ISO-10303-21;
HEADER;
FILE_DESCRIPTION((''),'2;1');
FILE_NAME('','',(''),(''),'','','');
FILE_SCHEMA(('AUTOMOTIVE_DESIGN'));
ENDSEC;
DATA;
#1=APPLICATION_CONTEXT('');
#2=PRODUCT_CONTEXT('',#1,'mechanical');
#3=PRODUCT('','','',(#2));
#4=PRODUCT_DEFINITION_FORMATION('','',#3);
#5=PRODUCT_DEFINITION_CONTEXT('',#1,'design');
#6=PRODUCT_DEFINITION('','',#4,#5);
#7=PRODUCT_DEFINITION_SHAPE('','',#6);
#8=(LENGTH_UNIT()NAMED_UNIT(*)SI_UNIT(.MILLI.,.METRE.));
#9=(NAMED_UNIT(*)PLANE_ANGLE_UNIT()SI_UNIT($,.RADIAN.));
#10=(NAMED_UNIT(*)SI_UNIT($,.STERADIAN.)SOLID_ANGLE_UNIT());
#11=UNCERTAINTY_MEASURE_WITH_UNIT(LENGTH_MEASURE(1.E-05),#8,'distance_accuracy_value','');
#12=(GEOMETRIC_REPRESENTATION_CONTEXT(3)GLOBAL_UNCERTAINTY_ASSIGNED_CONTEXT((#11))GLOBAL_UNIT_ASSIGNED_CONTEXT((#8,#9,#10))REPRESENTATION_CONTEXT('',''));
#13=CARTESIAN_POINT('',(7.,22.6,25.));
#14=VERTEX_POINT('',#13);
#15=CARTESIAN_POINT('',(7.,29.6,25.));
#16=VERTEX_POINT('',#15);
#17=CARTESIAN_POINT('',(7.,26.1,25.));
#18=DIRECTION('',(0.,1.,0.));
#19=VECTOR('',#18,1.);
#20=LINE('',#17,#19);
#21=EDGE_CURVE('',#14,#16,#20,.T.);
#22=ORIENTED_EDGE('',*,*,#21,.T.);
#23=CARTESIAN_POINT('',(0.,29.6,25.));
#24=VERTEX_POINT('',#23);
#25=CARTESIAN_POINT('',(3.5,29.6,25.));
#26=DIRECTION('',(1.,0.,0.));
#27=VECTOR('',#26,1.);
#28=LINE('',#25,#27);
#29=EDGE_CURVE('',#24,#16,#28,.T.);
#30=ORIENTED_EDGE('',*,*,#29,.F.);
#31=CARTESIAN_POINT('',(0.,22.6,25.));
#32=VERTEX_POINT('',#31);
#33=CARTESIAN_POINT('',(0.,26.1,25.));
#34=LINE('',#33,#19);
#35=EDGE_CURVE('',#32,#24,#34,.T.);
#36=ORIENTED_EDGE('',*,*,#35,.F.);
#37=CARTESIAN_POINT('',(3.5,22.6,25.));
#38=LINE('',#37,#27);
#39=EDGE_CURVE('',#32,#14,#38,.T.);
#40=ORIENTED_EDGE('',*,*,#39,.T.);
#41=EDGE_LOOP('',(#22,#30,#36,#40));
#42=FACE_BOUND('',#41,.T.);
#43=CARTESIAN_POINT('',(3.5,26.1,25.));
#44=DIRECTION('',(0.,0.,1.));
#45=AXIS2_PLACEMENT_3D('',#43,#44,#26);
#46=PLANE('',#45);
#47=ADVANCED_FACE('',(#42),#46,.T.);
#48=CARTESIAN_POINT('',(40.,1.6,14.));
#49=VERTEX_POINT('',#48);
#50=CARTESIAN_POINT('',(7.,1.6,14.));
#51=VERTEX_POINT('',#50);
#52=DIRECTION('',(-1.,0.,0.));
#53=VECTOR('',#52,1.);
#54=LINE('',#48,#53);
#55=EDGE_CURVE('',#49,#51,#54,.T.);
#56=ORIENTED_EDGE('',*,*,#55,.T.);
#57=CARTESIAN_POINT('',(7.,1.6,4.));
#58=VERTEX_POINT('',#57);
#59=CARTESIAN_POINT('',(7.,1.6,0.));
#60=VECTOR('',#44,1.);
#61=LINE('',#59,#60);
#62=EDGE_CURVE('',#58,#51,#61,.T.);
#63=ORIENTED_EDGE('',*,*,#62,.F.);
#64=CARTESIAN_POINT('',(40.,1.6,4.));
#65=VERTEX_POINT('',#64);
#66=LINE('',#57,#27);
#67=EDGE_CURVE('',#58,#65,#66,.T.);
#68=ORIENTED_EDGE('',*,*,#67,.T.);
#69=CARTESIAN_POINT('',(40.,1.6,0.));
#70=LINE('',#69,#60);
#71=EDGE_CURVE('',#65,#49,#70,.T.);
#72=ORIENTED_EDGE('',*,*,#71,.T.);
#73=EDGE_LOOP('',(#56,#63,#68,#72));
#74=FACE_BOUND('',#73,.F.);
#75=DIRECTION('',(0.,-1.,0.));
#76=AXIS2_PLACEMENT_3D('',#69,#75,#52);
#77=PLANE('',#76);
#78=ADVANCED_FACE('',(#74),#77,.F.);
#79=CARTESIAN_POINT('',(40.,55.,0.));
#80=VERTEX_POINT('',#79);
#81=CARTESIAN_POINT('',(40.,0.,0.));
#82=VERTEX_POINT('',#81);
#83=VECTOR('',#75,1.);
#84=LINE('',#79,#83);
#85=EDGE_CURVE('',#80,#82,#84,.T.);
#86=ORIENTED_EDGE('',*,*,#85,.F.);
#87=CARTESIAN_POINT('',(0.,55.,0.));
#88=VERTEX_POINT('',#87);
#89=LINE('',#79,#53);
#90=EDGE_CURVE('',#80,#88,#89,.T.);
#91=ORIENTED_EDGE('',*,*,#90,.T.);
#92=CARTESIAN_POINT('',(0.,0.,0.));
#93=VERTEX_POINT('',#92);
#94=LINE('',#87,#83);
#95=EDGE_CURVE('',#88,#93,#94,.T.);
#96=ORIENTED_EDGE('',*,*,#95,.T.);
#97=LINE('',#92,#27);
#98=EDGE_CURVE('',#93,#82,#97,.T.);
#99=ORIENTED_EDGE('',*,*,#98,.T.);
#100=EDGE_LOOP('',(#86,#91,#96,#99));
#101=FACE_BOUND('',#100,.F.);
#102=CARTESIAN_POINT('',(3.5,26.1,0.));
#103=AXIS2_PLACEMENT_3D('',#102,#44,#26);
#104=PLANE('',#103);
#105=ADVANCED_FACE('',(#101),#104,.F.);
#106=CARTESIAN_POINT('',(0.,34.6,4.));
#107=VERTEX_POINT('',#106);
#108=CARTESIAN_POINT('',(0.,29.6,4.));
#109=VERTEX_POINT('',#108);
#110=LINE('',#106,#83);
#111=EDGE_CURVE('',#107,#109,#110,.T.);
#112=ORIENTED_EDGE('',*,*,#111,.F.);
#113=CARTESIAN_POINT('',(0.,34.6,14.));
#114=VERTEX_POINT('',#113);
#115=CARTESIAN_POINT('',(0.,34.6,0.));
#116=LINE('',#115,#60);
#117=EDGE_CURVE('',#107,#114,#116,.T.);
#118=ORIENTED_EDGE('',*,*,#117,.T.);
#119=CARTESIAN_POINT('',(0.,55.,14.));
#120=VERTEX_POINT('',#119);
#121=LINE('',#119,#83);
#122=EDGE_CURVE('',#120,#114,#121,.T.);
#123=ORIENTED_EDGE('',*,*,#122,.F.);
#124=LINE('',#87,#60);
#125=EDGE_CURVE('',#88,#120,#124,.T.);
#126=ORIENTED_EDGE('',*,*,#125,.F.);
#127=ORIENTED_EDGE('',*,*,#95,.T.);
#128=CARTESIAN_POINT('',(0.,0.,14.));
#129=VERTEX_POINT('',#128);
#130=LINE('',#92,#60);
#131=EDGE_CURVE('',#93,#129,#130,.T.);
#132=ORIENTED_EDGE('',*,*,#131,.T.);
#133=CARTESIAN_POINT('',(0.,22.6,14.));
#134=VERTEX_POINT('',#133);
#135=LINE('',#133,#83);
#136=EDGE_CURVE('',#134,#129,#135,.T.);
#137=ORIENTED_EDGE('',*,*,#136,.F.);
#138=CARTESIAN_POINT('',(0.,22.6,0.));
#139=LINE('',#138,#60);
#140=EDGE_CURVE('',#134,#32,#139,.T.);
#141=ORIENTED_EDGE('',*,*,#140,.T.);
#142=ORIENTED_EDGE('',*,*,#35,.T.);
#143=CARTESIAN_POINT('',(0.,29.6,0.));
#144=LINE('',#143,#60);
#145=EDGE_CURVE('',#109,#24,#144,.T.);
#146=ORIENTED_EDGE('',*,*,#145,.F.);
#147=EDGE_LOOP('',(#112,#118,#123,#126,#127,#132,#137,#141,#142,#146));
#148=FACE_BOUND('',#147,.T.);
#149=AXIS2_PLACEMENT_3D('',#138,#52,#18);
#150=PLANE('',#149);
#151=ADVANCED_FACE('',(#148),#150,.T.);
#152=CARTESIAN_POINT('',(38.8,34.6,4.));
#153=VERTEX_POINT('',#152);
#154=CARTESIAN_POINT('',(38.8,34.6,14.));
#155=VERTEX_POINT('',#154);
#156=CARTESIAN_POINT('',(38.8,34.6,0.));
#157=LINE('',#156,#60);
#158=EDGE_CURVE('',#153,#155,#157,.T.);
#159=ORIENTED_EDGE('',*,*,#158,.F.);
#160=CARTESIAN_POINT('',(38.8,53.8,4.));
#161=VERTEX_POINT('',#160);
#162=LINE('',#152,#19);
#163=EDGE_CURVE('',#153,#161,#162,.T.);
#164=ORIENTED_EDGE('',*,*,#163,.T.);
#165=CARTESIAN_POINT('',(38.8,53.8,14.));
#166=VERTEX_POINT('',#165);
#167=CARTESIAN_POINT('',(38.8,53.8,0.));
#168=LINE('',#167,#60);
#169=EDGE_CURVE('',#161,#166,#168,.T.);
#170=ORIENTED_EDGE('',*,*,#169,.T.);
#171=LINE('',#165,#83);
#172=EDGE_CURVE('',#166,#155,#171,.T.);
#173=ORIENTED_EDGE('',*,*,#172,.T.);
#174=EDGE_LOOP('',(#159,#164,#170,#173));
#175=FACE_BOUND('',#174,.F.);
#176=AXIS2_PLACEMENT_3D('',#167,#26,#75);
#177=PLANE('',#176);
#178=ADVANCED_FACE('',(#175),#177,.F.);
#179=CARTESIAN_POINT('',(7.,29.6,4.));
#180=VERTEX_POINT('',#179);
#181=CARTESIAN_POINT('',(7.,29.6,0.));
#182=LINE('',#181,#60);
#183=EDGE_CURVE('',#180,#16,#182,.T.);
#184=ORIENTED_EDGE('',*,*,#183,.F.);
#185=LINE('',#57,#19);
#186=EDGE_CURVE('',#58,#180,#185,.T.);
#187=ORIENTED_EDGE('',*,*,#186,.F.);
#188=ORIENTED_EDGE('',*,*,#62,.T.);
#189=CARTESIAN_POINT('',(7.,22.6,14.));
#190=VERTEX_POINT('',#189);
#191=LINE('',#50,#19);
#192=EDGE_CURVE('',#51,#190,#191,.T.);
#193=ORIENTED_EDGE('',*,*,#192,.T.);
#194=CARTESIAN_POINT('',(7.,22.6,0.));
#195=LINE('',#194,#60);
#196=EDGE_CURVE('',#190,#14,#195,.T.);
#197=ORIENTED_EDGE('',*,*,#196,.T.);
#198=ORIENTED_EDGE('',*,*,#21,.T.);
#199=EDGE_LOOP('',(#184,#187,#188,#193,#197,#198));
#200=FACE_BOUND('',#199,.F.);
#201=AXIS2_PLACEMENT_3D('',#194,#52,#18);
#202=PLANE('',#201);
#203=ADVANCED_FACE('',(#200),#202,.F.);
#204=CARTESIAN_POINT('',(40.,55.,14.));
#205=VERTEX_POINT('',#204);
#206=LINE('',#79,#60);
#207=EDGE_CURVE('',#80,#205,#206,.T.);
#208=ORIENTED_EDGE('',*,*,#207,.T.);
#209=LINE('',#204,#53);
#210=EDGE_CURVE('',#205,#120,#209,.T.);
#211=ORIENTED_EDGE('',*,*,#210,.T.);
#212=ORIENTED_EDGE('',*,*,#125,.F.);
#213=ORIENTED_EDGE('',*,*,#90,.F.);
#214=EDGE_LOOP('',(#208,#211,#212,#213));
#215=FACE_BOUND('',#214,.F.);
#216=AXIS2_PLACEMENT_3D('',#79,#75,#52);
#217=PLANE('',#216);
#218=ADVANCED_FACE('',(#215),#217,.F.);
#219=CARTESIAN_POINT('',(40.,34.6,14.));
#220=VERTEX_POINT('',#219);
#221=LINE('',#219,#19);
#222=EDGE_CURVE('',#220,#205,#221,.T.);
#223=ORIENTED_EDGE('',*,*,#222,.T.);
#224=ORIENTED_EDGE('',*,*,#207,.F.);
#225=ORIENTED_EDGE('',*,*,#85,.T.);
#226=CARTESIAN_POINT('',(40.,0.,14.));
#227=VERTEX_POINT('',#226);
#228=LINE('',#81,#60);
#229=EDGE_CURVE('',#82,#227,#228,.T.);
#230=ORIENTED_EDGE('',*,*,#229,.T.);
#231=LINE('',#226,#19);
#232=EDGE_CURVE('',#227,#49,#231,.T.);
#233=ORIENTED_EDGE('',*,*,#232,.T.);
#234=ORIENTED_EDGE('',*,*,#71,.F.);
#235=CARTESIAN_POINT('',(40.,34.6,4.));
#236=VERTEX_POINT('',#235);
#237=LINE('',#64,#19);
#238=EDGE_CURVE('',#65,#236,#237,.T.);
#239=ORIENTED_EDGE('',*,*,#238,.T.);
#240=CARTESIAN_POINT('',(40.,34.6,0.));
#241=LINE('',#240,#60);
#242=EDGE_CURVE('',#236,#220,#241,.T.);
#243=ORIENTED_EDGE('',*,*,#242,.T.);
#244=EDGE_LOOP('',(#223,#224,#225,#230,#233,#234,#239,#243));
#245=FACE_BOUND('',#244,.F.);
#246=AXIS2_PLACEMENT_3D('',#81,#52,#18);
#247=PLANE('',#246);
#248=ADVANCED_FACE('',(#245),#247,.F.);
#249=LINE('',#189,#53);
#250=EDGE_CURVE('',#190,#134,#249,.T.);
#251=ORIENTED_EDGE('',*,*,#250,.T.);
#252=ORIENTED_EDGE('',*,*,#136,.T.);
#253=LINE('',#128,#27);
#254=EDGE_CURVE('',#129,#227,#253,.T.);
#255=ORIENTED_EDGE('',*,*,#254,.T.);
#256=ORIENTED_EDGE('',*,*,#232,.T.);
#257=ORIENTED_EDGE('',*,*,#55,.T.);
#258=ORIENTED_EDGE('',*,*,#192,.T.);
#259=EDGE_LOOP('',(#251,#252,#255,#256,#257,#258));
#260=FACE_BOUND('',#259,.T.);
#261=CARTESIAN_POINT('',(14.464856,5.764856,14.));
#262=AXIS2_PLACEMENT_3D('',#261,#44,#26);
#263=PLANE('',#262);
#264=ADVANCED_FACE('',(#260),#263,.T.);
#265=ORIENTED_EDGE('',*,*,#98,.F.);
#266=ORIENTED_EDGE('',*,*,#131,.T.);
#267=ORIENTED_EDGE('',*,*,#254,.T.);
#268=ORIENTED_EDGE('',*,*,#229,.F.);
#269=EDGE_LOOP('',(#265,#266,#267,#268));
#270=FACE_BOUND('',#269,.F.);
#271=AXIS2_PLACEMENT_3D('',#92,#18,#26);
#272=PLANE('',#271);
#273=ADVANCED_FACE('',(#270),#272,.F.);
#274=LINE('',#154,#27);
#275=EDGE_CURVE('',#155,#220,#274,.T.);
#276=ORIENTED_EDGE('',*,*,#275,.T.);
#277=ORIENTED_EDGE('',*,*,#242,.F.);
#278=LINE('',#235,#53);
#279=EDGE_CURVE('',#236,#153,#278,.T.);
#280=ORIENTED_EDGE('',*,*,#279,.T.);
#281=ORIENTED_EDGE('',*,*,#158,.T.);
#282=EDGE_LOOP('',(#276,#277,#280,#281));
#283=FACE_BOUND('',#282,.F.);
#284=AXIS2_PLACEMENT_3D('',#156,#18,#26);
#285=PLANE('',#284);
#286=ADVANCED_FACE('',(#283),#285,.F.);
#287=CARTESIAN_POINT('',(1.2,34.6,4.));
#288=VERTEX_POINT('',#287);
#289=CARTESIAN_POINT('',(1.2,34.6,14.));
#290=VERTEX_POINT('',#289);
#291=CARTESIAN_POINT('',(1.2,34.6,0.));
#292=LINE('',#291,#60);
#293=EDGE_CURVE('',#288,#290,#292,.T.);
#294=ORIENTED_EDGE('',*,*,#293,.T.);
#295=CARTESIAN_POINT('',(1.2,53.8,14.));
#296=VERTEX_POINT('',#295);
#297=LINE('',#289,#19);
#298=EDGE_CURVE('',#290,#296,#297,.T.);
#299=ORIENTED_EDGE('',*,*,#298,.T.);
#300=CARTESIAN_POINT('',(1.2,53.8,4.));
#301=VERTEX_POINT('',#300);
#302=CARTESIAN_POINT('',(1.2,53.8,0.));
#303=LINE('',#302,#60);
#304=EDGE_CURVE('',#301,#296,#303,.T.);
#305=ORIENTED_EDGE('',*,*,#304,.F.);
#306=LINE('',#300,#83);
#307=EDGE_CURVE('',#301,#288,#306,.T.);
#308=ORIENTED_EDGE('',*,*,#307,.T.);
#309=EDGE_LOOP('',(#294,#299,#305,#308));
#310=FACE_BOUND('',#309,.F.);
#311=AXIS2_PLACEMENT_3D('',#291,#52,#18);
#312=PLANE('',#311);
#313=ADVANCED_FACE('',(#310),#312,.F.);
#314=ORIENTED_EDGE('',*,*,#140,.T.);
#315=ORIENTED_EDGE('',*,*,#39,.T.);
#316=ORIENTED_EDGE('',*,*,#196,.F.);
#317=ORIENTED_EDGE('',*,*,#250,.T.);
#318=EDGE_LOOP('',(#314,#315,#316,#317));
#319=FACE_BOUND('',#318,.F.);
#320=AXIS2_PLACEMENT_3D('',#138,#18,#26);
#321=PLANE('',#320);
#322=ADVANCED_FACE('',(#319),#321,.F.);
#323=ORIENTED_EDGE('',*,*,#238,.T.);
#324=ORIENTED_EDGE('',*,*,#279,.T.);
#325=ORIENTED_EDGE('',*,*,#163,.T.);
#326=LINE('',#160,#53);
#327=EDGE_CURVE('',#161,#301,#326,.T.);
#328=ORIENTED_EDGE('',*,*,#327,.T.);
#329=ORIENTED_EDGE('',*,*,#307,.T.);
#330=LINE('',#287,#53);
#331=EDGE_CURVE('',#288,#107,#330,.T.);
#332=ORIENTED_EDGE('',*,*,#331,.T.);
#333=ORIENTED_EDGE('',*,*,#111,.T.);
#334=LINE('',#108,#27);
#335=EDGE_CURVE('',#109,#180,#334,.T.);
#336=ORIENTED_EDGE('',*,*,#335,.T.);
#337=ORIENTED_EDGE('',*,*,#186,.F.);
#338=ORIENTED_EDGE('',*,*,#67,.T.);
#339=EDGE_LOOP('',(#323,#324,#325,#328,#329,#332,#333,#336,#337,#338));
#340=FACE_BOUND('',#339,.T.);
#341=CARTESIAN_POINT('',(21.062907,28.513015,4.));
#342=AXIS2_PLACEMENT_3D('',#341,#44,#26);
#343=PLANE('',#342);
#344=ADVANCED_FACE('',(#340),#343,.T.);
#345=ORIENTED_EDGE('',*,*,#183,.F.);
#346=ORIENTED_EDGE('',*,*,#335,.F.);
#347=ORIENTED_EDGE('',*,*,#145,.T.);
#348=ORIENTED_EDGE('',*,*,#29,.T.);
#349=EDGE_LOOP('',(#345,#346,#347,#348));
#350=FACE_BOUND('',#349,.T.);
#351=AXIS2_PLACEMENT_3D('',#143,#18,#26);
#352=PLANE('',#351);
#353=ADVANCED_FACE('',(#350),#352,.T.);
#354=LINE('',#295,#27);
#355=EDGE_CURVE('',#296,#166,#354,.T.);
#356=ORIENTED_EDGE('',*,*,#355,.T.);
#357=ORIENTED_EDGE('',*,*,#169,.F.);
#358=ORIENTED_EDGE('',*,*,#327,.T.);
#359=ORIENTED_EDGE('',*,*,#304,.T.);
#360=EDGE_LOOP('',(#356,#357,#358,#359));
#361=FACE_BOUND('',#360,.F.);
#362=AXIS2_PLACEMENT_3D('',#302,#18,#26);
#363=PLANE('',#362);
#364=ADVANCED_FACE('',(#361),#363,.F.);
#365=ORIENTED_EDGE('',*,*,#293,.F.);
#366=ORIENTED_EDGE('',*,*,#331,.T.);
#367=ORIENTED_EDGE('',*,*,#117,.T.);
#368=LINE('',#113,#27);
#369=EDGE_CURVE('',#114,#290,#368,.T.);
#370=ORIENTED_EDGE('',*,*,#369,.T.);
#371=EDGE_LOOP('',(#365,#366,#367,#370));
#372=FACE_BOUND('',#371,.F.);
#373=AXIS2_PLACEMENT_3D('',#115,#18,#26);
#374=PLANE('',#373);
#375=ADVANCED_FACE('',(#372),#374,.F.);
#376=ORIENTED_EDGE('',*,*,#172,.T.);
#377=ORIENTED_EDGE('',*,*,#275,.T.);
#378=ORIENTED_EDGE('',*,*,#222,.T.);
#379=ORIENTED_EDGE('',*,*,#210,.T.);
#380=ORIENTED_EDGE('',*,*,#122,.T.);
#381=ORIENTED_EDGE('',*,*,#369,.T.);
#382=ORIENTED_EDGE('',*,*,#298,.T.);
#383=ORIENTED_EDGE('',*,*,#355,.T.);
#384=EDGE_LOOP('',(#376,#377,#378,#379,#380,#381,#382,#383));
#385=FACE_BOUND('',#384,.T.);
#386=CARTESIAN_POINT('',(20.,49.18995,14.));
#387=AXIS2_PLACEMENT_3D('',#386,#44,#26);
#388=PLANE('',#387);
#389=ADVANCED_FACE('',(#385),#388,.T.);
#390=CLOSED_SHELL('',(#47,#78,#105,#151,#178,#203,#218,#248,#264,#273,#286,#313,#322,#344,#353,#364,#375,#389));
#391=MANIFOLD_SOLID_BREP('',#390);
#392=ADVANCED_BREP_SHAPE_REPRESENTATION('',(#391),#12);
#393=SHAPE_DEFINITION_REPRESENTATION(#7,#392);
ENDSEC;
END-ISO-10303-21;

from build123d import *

# Parameters (mm, degrees)
F1_DEPTH = 4
F2_DEPTH = 14
F0_W     = 7
F0_H     = 7
F3_DEPTH = 25


with BuildPart() as f1:
    # F0 (on Top) → F1 (new body)
    with BuildSketch(Plane.XY):
        Polygon((7, 1.6), (40, 1.6), (40, 34.6), (38.8, 34.6), (38.8, 53.8), (1.2, 53.8), (1.2, 34.6), (0, 34.6), (0, 29.6), (7, 29.6), (7, 22.6), align=None)
    extrude(amount=F1_DEPTH)

    # F0 (on Top) → F2 (join)
    with BuildSketch(Plane.XY):
        Polygon((0, 22.6), (0, 0), (40, 0), (40, 1.6), (7, 1.6), (7, 22.6), align=None)
        Polygon((38.8, 34.6), (40, 34.6), (40, 55), (0, 55), (0, 34.6), (1.2, 34.6), (1.2, 53.8), (38.8, 53.8), align=None)
    extrude(amount=F2_DEPTH)

    # F0 (on Top) → F3 (join)
    with BuildSketch(Plane.XY):
        with Locations((3.5, 26.1)):
            Rectangle(F0_W, F0_H)
    extrude(amount=F3_DEPTH)


solid = f1.part
